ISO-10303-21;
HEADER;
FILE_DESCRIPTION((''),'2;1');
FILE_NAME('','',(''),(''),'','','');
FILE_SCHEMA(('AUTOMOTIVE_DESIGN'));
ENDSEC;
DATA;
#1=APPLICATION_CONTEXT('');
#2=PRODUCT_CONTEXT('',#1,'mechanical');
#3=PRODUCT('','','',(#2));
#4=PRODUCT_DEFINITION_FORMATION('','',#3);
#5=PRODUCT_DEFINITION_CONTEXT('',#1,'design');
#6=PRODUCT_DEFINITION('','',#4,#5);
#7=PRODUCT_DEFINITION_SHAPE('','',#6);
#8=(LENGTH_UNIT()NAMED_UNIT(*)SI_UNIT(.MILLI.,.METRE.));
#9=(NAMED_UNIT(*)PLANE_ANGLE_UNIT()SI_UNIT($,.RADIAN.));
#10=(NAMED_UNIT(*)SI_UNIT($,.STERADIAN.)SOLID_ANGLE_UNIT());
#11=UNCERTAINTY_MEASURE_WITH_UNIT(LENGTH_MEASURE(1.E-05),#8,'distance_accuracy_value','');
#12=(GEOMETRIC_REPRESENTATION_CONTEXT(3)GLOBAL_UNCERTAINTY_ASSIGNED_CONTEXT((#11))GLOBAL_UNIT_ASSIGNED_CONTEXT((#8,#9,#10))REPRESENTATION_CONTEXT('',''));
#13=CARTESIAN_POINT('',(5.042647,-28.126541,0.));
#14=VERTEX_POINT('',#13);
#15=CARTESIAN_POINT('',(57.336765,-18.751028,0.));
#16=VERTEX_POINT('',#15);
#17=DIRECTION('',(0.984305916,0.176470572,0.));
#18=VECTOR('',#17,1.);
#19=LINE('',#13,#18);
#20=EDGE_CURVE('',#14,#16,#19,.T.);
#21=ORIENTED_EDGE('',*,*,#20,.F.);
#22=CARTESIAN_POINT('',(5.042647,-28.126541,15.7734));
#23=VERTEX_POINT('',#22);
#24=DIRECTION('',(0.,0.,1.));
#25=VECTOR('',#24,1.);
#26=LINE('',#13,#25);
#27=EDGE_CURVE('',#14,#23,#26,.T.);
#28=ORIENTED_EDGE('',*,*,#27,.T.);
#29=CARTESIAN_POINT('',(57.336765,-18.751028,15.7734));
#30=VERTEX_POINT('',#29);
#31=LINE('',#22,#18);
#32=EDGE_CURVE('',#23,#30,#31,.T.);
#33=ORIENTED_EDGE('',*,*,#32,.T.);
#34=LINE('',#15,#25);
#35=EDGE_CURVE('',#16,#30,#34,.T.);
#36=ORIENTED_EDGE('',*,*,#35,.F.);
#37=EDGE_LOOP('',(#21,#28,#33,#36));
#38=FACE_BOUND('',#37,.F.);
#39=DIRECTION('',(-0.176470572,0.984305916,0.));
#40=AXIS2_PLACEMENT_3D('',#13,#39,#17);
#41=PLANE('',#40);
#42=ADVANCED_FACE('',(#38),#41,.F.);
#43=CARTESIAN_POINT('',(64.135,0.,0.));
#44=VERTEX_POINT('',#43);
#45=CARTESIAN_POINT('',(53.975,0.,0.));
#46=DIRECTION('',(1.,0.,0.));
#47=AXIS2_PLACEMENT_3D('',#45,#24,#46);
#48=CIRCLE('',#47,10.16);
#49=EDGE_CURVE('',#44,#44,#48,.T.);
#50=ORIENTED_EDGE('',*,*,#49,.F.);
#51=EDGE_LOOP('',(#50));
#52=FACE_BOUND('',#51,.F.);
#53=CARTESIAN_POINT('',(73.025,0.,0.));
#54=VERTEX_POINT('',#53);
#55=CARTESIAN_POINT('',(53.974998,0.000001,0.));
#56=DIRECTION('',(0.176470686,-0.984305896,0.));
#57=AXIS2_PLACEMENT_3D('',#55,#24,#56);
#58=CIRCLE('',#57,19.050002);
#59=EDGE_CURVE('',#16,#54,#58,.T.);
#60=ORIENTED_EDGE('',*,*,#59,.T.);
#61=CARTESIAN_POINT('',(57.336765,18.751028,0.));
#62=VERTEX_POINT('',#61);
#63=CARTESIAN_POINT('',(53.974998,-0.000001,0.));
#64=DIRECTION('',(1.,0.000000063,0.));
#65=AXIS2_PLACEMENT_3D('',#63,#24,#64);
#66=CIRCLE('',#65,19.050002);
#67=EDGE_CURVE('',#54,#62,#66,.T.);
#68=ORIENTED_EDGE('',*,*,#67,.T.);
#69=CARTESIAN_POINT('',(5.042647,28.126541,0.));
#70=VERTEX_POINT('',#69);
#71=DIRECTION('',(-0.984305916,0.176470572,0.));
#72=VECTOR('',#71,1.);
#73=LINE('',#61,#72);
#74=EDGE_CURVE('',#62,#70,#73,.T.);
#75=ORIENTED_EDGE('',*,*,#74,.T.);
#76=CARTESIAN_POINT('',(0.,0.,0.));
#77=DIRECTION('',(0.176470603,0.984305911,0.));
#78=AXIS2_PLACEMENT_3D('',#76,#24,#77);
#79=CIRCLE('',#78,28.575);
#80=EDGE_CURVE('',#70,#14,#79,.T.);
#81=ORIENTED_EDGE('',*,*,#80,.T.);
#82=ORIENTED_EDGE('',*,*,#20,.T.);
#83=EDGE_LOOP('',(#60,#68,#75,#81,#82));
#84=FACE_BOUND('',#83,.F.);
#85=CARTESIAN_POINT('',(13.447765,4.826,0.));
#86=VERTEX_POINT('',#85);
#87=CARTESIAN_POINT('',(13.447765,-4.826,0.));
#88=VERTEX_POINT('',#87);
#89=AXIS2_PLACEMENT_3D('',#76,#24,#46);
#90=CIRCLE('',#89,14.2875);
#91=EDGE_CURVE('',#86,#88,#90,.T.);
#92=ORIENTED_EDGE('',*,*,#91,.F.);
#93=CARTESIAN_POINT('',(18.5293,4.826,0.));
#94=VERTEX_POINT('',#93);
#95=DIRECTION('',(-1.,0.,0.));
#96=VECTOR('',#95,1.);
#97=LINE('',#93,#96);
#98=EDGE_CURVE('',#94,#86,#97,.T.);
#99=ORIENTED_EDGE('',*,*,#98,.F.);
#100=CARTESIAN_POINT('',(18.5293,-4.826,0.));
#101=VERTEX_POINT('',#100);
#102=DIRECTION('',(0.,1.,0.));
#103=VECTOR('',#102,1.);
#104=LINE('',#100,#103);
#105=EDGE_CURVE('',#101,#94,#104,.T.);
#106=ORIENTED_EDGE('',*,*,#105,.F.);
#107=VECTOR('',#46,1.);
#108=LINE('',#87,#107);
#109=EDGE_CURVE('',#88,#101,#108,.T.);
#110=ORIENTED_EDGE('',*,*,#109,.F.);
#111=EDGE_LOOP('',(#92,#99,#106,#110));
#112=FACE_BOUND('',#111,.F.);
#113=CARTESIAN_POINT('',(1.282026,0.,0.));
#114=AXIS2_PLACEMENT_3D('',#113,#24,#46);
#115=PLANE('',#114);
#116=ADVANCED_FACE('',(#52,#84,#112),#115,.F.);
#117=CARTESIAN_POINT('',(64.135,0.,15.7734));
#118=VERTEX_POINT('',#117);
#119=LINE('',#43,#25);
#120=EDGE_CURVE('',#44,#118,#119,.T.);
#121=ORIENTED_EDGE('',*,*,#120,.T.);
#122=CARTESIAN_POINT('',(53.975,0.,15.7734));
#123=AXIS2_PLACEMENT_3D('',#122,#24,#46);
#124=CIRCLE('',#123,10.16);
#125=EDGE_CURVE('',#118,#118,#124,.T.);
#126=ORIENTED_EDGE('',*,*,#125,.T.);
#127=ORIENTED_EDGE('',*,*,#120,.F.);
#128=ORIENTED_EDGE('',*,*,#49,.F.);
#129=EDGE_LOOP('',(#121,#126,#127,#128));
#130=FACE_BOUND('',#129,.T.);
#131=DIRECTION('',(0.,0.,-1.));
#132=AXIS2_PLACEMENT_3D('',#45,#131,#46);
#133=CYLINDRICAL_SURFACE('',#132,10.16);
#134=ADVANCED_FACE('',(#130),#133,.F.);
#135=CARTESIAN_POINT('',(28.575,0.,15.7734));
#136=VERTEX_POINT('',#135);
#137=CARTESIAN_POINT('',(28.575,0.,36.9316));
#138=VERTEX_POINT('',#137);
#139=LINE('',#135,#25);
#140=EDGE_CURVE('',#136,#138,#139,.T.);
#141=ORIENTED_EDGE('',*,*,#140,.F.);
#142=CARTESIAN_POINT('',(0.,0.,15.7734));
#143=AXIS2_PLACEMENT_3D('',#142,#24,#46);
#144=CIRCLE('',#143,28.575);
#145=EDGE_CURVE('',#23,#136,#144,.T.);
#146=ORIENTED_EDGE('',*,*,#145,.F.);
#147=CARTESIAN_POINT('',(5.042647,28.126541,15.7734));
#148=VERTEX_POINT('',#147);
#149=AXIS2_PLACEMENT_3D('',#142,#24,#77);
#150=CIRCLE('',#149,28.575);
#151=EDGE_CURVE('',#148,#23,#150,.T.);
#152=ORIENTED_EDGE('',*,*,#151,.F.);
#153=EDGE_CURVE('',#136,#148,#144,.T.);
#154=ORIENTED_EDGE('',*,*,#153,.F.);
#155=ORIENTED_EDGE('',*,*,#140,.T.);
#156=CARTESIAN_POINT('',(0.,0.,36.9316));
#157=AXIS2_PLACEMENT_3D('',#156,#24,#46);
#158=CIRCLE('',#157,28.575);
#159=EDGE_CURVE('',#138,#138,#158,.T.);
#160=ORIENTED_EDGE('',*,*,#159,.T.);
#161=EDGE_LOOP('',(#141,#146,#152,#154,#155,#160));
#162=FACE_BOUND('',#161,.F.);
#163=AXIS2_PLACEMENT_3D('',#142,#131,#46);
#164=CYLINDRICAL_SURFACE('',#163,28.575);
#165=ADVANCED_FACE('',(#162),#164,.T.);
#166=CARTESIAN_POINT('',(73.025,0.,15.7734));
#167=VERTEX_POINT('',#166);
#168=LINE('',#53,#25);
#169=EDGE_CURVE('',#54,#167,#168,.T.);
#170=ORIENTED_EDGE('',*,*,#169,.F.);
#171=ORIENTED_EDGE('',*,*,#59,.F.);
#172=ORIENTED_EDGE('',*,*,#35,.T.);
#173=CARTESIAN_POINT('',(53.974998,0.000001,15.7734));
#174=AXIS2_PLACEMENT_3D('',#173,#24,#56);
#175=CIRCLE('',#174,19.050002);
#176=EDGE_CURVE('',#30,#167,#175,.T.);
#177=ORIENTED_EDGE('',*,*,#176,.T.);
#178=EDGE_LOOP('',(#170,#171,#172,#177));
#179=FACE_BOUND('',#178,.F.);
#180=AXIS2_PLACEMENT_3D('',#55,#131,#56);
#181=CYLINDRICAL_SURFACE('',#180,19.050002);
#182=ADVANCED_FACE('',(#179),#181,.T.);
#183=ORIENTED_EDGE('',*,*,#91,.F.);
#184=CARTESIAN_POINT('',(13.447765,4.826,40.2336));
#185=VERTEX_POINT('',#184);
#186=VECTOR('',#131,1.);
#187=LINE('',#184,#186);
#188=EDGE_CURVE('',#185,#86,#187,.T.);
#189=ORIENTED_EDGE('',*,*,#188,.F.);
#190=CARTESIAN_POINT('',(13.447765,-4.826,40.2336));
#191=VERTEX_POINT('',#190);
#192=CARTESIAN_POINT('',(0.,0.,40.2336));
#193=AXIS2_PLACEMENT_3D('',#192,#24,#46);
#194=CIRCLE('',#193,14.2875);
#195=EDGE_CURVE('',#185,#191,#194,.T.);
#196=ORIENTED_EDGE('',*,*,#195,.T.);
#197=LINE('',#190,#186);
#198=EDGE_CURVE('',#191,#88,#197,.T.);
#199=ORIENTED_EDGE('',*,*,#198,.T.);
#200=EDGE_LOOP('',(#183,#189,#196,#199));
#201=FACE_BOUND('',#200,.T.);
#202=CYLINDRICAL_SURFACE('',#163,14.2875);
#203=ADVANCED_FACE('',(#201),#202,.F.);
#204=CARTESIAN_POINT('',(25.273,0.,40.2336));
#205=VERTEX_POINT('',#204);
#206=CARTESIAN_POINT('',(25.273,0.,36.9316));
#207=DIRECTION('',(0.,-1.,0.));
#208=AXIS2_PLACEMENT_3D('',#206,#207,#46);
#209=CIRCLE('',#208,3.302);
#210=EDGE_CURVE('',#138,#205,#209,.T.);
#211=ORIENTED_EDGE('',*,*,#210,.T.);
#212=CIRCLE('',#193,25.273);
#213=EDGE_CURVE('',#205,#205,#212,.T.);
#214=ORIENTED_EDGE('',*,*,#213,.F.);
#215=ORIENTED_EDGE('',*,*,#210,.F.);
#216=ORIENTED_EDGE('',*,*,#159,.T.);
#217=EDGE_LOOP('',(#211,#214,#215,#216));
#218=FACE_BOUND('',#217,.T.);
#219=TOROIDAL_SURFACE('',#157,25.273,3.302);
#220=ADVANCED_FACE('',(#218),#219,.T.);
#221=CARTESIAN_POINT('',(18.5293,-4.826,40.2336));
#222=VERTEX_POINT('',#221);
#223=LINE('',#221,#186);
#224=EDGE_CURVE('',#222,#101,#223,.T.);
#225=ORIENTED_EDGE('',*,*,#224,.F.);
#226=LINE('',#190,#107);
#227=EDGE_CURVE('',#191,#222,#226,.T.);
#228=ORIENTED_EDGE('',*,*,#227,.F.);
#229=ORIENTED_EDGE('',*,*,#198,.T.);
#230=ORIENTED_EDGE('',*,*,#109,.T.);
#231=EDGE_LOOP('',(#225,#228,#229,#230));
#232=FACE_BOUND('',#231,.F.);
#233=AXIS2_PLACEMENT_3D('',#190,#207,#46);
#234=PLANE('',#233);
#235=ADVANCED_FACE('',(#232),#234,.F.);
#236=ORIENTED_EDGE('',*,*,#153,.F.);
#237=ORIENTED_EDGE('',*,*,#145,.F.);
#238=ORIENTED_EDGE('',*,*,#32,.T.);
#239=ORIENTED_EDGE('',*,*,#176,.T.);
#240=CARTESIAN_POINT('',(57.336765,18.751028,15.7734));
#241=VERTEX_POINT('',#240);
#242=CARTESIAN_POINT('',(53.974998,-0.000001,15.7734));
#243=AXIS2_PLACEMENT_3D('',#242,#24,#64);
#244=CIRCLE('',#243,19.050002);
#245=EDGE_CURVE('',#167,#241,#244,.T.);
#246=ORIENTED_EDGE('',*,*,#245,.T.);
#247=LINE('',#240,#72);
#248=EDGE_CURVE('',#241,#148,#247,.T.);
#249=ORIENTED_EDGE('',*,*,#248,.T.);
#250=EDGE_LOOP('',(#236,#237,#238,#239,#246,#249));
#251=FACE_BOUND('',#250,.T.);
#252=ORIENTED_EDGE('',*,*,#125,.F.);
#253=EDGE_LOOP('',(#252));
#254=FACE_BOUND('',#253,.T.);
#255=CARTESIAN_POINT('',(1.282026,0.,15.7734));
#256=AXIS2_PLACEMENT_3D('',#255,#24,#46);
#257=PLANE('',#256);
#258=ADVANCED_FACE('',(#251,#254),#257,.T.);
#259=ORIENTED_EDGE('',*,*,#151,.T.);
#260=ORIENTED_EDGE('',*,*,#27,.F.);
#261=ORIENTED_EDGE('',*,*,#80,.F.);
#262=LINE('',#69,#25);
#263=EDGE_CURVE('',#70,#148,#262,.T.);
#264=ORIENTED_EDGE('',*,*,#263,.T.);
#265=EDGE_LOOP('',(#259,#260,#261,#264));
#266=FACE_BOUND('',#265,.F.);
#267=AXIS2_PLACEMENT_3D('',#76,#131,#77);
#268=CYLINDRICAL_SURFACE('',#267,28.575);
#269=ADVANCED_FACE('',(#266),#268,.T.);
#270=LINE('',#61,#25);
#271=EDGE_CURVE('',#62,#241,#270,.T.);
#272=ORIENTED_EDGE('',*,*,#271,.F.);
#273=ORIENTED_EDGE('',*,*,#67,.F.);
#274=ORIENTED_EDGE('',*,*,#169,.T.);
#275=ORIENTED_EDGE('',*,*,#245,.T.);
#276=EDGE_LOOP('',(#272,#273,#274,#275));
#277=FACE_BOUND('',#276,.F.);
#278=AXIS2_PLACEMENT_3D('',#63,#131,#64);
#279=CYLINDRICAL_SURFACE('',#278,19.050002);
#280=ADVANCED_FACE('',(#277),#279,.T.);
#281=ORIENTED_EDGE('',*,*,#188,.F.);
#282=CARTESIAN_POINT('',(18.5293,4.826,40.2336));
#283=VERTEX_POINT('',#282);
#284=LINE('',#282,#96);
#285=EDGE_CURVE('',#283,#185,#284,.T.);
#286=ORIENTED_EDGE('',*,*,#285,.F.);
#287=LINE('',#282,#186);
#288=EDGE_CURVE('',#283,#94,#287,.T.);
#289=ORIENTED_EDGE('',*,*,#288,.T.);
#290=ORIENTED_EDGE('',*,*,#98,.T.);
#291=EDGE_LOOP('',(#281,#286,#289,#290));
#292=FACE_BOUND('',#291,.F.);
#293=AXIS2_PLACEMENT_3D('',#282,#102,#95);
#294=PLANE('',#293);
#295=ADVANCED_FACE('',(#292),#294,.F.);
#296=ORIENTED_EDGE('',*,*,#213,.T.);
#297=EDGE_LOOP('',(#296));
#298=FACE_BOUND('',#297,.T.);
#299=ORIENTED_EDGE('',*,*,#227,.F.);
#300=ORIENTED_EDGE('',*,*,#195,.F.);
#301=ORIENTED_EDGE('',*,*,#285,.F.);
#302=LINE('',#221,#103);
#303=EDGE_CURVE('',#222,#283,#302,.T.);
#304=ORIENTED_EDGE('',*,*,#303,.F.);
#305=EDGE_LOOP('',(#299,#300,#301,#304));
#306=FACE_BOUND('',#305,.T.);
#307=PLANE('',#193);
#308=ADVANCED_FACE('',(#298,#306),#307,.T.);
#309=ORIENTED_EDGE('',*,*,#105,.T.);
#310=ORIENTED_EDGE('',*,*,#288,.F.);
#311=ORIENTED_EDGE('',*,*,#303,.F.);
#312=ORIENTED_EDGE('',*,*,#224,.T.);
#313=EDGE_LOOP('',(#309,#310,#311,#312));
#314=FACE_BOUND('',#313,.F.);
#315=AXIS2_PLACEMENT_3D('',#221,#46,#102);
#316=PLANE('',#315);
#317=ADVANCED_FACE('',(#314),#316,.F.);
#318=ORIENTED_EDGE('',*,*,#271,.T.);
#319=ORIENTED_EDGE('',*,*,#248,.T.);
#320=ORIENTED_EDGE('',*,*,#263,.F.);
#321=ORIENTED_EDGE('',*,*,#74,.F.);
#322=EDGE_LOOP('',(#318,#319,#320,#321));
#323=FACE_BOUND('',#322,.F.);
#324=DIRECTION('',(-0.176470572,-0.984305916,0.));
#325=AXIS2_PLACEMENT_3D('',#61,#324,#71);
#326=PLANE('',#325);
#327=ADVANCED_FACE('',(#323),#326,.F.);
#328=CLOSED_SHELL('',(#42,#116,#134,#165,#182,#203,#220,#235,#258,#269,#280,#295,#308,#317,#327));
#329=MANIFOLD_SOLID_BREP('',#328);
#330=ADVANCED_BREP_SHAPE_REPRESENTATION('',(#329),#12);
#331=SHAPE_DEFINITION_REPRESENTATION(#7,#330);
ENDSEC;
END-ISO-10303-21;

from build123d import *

# Parameters (mm, degrees)
F0_R     = 14.2875
F0_R_2   = 10.16
F1_DEPTH = 15.7734
F2_R     = 28.575
F2_R_2   = 14.2875
F3_DEPTH = 24.4602
F5_DEPTH = 40.2336
F6_R     = 3.302


with BuildPart() as f1:
    # F0 (on Top) → F1 (new body)
    with BuildSketch(Plane.XY):
        with BuildLine():
            ThreePointArc((5.042647, -28.126541), (21.916025, -18.336262), (28.575, 0))
            ThreePointArc((28.575, 0), (21.916025, 18.336262), (5.042647, 28.126541))
            ThreePointArc((5.042647, 28.126541), (-28.575, 0), (5.042647, -28.126541))
        make_face()
        Circle(F0_R, mode=Mode.SUBTRACT)
        with BuildLine():
            ThreePointArc((5.042647, 28.126541), (21.916025, 18.336262), (28.575, 0))
            ThreePointArc((28.575, 0), (21.916025, -18.336262), (5.042647, -28.126541))
            Line((5.042647, -28.126541), (57.336765, -18.751028))
            ThreePointArc((57.336765, -18.751028), (34.925, 0), (57.336765, 18.751028))
            Line((57.336765, 18.751028), (5.042647, 28.126541))
        make_face()
        with BuildLine():
            ThreePointArc((73.025, 0), (68.585683, 12.224174), (57.336765, 18.751028))
            ThreePointArc((57.336765, 18.751028), (34.925, 0), (57.336765, -18.751028))
            ThreePointArc((57.336765, -18.751028), (68.585683, -12.224174), (73.025, 0))
        make_face()
        with Locations((53.975, 0)):
            Circle(F0_R_2, mode=Mode.SUBTRACT)
    extrude(amount=F1_DEPTH)

    # F2 (on face) → F3 (join)
    with BuildSketch(Plane.XY.offset(15.7734)):
        Circle(F2_R)
        Circle(F2_R_2, mode=Mode.SUBTRACT)
    extrude(amount=F3_DEPTH)

    # F4 (on face) → F5 (cut, through all)
    with BuildSketch(Plane.XY.offset(40.2336)):
        with BuildLine():
            Line((18.5293, -4.826), (18.5293, 4.826))
            Line((18.5293, 4.826), (13.447765, 4.826))
            ThreePointArc((13.447765, 4.826), (14.076001, 2.449257), (14.2875, 0))
            ThreePointArc((14.2875, 0), (14.076001, -2.449257), (13.447765, -4.826))
            Line((13.447765, -4.826), (18.5293, -4.826))
        make_face()
    extrude(amount=-F5_DEPTH, mode=Mode.SUBTRACT)

    # F6
    f6_edges = [f1.edges().sort_by_distance(p)[0] for p in [
        (-28.575, 0, 40.2336),
    ]]
    fillet(f6_edges, radius=F6_R)


solid = f1.part
